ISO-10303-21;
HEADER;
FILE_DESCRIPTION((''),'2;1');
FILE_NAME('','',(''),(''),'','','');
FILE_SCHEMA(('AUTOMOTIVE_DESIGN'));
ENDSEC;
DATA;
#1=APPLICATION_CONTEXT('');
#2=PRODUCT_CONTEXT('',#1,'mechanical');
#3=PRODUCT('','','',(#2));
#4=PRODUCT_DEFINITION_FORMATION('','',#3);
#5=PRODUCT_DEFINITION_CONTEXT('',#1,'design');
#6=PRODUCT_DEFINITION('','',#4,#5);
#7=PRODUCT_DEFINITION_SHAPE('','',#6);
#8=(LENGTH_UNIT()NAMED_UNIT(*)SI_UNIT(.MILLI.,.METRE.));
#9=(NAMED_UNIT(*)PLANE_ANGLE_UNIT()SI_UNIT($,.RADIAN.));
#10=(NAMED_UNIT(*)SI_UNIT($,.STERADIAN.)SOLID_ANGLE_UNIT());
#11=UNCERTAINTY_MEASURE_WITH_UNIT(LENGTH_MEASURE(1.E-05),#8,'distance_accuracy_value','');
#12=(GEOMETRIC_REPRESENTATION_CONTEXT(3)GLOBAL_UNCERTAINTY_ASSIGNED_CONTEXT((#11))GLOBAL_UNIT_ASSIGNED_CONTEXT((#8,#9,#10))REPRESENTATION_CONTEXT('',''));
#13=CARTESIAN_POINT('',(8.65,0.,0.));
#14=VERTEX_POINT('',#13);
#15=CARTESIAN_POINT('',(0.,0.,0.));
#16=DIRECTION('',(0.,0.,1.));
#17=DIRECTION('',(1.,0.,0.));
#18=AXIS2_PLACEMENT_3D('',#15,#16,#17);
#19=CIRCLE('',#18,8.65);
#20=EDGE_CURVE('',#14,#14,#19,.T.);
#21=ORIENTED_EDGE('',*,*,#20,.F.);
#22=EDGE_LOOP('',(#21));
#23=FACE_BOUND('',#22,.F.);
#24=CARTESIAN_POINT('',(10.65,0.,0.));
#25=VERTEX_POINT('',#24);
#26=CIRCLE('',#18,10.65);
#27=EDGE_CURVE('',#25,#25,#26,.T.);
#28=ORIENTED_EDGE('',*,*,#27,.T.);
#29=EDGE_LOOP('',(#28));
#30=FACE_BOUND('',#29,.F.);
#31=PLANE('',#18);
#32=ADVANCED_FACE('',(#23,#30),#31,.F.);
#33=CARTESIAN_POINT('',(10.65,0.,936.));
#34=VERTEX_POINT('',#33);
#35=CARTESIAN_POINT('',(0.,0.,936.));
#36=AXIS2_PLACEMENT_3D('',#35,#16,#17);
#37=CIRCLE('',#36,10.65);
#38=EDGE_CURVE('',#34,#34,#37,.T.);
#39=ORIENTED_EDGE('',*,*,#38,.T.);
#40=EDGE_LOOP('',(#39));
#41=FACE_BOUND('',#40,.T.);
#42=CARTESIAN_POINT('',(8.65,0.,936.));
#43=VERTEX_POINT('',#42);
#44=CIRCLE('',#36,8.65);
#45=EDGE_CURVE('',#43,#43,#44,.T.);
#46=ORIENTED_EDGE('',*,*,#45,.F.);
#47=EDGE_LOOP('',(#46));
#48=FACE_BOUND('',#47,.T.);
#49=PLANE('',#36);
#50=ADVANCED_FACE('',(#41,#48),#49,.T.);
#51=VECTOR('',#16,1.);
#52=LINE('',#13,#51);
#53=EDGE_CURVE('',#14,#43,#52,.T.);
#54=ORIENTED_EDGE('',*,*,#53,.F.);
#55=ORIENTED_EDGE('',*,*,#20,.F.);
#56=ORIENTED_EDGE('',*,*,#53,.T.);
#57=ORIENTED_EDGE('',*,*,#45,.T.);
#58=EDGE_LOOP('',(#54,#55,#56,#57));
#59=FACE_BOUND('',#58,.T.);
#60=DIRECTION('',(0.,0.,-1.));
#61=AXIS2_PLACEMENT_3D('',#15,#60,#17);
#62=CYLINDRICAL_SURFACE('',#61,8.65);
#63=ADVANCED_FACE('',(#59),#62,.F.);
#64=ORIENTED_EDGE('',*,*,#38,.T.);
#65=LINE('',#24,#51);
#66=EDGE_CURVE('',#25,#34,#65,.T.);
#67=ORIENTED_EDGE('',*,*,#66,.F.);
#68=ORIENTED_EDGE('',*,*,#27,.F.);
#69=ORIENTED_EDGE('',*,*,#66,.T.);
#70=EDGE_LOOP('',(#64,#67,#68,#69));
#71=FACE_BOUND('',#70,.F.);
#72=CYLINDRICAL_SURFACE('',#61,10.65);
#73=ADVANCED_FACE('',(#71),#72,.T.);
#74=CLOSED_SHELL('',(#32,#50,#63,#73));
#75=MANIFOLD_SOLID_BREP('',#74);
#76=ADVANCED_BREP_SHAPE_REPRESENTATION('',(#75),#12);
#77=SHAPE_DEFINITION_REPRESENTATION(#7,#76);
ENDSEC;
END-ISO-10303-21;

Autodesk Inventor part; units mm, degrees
ref_plane "YZ Plane" through (0, 0, 0) normal (1, 0, 0) x (0, 1, 0)
ref_plane "Start plane" through (0, 0, 0) normal (0, 0, 1) x (1, 0, 0)
ref_plane "End plane" through (0, 0, 936) normal (0, 0, 1) x (1, 0, 0)
sketch "Sketch" plane through (0, 0, 0) normal (0, 0, 1) x (1, 0, 0)
  circle A0 centre (0, 0) radius 8.65
  circle A1 centre (0, 0) radius 10.65
  dimension "d0" = 21.3
  dimension "d1" = 2
extrude "Body" add sketch "Sketch" along normal up to surface (936 mm away) from surface at 0
sketch "Sketch3" plane through (0, 0, 0) normal (0, 0, 1) x (1, 0, 0)
  line L0 (0, 0) -> (10, 0)
ref_plane "Work Plane3" through (0, 0, 0) normal (0, -1, 0) x (1, 0, 0)
sketch "Sketch4" plane through (0, 0, 0) normal (0, -1, 0) x (1, 0, 0)
  line L0 (-2, 0) -> (12, 0)
  line L1 (-2, 936) -> (12, 936)
  dimension "d7" = 936
equation "\"d0\" = G_H"
equation "\"d1\" = G_T"
equation "\"d2\" = G_L"
equation "\"G_H\" = 21.3"
equation "\"G_T\" = 2"
equation "\"G_L\" = d7"
equation "\"G_OFFSET_START\" = 0"
equation "\"G_OFFSET_END\" = 0"
equation "\"d5\" = G_OFFSET_END + B_L"
equation "\"B_L\" = 936"
properties part number "UNI EN 10219-2 - 21,3 x 2 - 936" material "Steel, Mild"
